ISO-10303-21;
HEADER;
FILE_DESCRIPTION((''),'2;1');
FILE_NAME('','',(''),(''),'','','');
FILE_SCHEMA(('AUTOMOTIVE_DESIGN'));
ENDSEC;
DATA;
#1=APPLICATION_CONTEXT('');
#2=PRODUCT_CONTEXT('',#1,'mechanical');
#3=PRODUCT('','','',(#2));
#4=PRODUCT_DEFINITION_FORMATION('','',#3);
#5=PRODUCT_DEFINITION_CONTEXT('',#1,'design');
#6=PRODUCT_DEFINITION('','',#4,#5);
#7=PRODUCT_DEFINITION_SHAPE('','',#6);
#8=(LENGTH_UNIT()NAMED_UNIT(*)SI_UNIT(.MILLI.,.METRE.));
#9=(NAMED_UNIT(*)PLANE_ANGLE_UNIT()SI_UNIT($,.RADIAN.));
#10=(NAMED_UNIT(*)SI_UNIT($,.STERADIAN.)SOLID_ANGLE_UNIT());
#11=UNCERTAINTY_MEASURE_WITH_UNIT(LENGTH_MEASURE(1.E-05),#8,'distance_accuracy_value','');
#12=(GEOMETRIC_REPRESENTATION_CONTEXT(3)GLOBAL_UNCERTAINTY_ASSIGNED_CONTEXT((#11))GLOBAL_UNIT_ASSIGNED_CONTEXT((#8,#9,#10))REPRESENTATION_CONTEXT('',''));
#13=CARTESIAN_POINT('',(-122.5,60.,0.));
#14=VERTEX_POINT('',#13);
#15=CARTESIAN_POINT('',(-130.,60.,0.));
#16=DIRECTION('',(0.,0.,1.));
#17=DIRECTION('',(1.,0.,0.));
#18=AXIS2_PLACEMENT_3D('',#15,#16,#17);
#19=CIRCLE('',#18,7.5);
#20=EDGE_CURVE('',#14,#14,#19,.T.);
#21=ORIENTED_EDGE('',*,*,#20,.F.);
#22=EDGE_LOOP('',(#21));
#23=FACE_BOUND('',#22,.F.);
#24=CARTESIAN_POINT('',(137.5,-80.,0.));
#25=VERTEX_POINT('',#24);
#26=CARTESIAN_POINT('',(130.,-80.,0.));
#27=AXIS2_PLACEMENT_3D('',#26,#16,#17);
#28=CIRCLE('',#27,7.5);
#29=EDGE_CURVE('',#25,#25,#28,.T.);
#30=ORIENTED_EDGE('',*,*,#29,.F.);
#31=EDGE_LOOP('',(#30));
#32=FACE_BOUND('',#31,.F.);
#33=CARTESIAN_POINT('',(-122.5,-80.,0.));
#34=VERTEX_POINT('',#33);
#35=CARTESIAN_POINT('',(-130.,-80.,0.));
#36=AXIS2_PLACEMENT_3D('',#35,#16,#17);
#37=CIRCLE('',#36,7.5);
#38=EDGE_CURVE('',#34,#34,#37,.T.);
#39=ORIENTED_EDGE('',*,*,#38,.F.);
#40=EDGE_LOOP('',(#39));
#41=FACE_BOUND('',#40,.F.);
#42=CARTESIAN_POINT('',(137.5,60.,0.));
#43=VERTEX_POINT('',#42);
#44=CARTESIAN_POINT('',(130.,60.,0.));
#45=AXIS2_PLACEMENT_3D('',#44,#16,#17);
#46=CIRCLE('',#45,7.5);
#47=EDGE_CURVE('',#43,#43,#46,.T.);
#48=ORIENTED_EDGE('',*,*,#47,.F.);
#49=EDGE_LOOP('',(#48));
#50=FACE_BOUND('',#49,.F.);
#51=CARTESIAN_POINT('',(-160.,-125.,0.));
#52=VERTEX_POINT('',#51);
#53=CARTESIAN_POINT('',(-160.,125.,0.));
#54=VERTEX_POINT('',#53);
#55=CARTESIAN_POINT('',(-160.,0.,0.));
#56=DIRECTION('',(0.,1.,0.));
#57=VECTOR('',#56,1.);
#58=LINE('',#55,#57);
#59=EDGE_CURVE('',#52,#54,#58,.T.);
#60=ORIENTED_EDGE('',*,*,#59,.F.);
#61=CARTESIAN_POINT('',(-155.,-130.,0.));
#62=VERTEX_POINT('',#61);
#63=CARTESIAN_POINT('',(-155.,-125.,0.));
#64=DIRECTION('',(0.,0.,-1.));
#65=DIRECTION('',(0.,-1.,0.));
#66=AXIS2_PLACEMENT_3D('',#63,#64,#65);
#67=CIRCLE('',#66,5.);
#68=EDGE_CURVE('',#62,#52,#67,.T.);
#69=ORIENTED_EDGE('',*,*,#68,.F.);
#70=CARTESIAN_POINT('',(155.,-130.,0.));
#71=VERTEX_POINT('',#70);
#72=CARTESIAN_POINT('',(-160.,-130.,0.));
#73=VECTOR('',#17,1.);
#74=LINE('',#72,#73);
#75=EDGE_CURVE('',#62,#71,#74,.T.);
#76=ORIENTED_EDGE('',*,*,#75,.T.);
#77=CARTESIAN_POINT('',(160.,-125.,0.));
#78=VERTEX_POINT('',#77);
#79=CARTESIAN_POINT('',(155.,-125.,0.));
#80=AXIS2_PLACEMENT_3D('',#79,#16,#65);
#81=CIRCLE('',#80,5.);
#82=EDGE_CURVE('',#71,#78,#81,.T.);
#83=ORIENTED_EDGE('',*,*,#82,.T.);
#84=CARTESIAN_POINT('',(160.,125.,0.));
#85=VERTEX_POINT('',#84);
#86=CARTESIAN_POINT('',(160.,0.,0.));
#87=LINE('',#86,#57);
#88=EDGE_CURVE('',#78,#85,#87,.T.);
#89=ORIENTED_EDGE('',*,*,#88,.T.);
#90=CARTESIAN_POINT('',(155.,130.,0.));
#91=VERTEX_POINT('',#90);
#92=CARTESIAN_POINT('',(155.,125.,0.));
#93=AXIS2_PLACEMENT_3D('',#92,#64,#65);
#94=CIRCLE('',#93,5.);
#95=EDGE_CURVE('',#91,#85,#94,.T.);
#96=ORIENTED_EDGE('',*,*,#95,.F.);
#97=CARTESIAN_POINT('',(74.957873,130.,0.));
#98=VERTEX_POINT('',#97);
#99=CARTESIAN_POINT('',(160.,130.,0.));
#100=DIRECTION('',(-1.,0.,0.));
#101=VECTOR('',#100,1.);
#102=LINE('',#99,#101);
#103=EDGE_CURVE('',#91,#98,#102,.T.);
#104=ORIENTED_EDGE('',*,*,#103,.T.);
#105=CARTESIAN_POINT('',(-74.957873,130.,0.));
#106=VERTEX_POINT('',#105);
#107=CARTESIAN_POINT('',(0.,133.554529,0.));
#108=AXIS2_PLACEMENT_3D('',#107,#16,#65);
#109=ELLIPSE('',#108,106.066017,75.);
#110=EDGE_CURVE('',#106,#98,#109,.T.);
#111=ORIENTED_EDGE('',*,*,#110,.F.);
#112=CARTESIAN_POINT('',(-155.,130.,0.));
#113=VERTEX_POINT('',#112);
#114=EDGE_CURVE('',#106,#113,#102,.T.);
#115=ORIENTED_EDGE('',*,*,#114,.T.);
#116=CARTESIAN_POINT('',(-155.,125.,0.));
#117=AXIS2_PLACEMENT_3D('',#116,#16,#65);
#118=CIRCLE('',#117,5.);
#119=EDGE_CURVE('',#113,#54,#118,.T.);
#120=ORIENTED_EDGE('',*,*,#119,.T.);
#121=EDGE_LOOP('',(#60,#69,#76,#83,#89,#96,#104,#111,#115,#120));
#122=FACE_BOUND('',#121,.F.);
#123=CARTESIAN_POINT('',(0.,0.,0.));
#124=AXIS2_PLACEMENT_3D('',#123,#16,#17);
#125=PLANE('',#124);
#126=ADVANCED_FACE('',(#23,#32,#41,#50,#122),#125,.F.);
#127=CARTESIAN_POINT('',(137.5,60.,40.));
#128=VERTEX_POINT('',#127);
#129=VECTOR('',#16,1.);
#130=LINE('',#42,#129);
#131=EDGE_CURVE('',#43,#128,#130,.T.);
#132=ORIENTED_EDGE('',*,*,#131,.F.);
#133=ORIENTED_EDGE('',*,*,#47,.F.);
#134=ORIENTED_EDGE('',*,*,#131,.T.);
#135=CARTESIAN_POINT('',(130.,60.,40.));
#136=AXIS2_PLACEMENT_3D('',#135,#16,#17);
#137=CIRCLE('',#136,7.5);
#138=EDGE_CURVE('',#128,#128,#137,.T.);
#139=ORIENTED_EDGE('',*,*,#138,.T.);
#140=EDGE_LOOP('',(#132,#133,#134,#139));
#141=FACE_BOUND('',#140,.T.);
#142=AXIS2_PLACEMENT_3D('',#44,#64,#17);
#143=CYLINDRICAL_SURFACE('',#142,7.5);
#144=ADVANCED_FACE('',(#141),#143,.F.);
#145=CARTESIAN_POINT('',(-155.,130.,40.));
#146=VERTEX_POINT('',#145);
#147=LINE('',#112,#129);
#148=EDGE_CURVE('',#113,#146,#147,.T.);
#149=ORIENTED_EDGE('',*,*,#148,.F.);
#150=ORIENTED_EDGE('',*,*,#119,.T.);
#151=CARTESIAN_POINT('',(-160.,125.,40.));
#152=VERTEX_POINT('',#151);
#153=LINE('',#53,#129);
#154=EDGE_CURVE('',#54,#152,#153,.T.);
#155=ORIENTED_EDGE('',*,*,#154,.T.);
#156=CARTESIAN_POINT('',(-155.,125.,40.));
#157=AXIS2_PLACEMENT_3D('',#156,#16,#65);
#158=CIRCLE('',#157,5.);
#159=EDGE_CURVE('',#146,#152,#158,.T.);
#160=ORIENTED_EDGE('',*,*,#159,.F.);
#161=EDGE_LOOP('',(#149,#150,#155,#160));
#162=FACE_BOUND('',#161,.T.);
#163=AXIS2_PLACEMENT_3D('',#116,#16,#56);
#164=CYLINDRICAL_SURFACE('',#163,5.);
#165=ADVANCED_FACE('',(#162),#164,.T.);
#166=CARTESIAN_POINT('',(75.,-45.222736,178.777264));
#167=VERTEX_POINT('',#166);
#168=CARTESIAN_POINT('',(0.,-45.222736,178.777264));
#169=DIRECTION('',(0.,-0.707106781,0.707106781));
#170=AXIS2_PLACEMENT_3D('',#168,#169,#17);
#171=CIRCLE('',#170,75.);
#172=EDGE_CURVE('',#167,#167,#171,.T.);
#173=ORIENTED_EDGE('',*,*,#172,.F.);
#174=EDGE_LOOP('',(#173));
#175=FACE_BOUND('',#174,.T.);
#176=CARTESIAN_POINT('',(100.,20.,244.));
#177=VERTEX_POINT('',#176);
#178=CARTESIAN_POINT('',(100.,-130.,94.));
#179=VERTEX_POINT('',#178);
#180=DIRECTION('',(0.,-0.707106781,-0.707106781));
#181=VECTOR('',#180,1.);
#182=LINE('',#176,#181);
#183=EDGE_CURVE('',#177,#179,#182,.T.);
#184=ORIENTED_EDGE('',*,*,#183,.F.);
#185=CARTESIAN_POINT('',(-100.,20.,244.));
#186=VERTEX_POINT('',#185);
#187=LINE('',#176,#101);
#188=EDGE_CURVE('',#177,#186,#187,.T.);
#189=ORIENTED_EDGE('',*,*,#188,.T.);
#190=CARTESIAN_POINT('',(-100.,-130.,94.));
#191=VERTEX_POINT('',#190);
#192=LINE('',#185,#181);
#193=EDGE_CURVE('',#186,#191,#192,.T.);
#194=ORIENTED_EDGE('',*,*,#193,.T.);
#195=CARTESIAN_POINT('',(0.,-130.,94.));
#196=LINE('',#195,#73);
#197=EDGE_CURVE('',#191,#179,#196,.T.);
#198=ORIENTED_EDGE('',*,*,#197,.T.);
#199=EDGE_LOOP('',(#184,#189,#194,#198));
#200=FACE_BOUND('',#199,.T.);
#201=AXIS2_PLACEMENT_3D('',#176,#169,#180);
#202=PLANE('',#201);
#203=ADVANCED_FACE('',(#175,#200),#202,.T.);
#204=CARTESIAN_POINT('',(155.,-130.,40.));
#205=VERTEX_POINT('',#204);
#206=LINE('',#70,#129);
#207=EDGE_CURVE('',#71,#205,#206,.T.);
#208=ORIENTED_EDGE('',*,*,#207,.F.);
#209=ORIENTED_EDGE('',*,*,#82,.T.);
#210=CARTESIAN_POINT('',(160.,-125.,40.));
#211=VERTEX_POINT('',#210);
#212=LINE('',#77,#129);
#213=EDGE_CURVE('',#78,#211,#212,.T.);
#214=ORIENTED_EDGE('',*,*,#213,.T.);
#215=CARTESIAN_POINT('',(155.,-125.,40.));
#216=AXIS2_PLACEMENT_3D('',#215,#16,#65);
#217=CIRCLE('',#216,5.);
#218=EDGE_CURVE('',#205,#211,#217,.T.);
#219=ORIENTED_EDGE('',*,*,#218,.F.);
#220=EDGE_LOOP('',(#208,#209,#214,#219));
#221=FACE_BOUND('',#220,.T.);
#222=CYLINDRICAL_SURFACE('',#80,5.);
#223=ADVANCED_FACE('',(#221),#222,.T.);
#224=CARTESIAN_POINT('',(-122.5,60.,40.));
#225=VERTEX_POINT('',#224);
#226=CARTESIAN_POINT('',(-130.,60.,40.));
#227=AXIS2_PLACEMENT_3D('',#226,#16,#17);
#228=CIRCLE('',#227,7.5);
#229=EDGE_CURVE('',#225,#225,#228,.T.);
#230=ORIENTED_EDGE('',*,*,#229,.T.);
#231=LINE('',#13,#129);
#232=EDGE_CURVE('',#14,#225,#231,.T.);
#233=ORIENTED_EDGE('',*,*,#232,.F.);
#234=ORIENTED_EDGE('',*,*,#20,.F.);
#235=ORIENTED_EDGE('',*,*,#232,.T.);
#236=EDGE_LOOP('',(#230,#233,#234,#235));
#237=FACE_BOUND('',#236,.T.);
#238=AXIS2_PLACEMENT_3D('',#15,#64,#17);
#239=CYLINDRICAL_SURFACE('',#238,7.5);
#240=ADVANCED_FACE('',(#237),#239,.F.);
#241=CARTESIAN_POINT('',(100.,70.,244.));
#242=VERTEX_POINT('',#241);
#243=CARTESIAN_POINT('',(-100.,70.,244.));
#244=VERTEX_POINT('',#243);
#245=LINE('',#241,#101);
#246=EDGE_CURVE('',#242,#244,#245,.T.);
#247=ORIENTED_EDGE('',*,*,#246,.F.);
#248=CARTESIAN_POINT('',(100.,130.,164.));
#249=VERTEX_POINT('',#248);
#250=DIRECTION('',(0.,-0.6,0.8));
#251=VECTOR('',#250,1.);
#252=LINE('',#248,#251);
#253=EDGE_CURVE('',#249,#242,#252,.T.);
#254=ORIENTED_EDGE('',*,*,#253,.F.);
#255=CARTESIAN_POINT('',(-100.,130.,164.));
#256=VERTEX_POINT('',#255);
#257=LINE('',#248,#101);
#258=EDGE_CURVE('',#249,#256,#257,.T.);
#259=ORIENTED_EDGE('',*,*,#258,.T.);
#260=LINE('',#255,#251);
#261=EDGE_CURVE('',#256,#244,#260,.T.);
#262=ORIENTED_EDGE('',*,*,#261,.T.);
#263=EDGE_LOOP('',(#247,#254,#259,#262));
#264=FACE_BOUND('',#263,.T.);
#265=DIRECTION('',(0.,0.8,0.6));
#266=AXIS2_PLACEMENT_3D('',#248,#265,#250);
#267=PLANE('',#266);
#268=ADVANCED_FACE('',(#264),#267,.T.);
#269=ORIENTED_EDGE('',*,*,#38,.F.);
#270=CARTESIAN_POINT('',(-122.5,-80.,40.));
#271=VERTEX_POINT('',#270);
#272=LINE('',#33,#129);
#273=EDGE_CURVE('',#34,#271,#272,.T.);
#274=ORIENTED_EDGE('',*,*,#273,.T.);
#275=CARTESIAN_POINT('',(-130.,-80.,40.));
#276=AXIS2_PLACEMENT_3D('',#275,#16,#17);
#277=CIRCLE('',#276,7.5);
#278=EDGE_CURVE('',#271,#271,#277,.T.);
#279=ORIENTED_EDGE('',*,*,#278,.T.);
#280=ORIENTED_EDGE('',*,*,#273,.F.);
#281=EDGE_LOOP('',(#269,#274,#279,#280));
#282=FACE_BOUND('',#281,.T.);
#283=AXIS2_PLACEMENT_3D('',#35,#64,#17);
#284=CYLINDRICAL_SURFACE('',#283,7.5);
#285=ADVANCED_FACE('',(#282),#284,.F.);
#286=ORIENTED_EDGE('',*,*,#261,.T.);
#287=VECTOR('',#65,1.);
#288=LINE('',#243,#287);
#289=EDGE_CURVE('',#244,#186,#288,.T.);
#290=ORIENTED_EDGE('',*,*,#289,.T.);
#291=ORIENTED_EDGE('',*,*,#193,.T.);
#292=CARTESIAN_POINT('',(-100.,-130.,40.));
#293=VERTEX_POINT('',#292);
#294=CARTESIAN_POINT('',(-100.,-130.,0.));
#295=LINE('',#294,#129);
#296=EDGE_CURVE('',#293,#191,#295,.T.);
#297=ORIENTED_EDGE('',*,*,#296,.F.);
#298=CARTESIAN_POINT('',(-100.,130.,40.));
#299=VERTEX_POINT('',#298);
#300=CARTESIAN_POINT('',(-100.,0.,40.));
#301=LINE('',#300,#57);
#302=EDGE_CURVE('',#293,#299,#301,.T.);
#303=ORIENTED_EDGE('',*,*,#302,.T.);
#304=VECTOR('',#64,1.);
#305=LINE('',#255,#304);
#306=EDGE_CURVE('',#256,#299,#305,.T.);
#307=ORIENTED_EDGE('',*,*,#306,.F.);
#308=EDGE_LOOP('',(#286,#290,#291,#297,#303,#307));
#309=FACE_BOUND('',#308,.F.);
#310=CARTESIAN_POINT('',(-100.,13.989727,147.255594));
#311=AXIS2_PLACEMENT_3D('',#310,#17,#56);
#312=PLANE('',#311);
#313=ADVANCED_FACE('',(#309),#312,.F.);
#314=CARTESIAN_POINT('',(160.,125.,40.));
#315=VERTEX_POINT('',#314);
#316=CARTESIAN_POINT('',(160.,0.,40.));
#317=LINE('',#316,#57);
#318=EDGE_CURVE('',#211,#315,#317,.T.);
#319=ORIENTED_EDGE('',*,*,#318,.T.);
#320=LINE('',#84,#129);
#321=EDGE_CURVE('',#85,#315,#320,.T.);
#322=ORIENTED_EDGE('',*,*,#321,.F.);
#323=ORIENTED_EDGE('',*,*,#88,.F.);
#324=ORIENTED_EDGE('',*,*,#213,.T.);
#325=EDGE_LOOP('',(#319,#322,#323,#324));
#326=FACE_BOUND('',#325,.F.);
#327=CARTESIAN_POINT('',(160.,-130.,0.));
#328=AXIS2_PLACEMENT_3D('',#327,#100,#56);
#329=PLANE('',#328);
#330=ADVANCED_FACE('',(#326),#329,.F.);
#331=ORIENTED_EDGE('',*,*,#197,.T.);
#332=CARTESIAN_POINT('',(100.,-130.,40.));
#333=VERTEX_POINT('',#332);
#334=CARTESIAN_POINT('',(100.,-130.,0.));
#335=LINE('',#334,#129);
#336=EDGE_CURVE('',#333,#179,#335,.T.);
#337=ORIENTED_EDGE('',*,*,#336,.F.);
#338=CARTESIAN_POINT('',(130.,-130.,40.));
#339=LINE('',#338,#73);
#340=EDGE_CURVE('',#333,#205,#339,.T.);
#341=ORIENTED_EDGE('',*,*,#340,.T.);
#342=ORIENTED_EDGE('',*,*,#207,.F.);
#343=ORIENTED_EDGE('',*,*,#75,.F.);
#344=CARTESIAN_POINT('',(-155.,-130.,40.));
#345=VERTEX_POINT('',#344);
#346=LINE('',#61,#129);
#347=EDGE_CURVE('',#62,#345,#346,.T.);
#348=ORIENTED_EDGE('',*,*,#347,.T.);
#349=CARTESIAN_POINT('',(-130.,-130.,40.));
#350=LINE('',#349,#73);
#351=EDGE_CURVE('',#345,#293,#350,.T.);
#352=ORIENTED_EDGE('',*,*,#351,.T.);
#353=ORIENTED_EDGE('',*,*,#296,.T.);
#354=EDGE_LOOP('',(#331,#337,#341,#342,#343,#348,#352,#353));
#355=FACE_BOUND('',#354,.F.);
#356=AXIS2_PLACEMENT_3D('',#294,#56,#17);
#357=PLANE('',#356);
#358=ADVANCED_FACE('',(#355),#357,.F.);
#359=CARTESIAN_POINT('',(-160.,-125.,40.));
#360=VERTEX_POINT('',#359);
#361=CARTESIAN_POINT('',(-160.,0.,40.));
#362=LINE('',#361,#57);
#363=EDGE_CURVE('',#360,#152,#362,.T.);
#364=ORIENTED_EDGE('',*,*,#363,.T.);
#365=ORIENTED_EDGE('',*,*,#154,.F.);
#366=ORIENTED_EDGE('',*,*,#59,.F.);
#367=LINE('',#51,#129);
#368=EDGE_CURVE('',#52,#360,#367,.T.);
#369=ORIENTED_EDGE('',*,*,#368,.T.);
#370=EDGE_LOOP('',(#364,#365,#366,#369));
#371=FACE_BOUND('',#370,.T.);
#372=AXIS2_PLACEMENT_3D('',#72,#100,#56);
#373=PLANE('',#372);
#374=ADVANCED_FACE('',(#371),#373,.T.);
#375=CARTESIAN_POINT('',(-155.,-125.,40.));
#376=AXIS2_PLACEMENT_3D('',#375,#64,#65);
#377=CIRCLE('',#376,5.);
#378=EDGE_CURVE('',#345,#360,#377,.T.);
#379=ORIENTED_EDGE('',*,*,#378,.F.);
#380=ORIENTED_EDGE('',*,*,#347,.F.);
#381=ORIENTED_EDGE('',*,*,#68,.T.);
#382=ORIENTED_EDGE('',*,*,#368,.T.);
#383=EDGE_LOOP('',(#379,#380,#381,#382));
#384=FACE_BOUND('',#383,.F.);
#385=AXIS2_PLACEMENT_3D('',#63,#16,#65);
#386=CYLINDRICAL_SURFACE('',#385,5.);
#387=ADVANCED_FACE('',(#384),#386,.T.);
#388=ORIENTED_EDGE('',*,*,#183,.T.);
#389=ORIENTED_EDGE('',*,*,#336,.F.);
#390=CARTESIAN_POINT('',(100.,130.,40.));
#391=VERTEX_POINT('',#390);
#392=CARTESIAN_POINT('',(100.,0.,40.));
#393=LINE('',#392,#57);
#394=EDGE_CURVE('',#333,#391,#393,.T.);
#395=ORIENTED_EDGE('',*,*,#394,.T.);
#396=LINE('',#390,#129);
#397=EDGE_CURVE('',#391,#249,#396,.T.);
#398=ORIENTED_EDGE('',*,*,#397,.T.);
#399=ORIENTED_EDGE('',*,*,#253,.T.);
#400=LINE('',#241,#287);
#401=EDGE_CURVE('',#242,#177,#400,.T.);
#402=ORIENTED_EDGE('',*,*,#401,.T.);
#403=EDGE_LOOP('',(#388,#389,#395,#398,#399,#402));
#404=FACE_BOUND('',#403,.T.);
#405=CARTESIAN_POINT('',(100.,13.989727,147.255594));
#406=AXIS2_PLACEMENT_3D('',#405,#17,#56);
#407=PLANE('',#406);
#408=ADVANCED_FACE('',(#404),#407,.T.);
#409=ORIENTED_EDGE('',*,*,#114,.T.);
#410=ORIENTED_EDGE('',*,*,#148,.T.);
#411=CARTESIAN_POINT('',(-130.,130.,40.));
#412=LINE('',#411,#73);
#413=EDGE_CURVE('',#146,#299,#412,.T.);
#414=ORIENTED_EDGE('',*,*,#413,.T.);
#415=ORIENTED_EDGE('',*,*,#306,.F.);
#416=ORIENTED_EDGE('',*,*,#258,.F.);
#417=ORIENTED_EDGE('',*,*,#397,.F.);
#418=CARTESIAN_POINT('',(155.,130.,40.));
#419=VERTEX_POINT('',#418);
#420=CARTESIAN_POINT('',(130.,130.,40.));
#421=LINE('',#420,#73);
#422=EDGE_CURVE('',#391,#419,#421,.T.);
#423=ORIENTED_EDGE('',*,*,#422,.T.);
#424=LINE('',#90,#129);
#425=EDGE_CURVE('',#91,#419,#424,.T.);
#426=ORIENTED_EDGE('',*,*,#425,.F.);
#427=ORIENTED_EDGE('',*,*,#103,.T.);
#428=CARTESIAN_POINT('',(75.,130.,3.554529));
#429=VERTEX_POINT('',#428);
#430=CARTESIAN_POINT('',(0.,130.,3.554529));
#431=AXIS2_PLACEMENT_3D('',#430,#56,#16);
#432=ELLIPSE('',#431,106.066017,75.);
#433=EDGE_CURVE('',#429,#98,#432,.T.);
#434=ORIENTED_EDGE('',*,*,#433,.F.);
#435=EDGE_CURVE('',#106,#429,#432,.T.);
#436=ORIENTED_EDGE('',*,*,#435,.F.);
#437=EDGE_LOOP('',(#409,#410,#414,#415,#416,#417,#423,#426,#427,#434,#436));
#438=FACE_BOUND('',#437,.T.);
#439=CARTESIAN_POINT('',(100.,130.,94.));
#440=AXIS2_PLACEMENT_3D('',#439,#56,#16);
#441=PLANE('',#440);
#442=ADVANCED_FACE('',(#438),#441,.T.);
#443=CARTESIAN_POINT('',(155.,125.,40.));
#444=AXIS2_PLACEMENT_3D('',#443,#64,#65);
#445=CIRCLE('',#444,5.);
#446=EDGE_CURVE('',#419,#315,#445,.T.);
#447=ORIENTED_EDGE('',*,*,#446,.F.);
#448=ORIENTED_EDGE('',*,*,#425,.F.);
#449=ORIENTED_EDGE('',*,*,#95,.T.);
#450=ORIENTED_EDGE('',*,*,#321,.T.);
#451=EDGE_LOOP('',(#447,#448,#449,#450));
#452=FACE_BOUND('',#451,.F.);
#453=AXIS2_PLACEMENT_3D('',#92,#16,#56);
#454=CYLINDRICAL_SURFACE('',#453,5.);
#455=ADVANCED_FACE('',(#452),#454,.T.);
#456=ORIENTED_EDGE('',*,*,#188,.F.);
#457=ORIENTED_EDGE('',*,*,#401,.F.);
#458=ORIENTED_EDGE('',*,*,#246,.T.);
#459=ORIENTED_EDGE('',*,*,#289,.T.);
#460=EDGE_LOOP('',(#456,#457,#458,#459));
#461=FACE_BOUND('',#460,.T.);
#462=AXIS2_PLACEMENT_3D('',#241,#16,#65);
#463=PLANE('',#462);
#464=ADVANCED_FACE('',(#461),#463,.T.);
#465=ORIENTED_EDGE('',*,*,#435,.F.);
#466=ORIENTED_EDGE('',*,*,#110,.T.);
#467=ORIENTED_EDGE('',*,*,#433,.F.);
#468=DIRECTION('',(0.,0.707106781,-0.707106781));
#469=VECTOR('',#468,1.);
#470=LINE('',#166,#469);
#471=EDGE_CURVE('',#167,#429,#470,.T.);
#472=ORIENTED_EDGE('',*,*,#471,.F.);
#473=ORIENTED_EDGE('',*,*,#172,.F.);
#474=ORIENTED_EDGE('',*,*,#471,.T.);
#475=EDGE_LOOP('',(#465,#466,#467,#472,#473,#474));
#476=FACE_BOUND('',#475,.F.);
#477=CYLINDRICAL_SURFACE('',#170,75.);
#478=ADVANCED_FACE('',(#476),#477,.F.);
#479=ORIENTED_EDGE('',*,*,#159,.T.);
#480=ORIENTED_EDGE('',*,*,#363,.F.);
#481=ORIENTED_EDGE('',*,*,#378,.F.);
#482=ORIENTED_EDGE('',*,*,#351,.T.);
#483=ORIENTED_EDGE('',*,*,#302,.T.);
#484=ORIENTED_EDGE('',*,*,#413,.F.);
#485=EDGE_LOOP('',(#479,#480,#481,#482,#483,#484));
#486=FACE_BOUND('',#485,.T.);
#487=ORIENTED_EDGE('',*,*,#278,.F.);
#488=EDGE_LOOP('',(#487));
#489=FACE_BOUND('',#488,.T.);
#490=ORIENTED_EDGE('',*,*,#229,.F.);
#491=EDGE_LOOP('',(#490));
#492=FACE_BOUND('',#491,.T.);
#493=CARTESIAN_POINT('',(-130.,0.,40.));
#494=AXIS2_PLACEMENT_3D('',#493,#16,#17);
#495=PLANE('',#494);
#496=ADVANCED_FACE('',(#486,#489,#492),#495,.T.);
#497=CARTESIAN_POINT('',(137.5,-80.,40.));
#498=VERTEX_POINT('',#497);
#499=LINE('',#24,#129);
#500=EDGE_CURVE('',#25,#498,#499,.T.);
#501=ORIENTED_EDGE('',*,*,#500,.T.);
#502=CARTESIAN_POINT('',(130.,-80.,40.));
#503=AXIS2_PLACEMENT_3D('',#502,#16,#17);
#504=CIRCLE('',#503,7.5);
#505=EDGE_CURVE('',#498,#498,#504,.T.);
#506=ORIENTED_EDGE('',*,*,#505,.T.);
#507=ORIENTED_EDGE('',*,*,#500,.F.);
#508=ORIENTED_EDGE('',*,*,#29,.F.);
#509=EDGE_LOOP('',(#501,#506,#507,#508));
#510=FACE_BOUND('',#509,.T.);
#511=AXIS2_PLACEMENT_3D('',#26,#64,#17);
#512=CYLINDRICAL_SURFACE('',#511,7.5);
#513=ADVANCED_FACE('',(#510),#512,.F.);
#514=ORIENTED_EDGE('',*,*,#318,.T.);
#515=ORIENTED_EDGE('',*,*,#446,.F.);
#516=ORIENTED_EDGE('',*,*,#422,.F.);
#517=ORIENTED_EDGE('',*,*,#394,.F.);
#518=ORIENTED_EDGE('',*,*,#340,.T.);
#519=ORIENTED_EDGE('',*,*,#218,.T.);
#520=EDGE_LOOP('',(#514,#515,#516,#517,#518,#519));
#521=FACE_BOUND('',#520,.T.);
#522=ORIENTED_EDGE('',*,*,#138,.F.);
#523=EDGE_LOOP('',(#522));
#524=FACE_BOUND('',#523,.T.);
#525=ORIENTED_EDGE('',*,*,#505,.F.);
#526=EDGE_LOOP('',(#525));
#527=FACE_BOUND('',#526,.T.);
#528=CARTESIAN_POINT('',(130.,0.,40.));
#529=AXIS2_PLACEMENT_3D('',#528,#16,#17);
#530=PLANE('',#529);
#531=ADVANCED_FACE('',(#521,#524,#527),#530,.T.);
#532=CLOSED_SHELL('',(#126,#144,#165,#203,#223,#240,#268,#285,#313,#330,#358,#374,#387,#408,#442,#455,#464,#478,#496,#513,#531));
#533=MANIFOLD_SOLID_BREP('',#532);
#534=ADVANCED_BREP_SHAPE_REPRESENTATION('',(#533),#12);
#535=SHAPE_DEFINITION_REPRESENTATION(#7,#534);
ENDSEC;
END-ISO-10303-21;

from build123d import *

# Parameters (mm, degrees)
F0_W     = 60
F0_H     = 260
F0_R     = 7.5
F1_DEPTH = 40
F0_W_2   = 200
F2_DEPTH = 94
F4_DEPTH = 200
F5_R     = 75
F6_DEPTH = 324.75
F7_R     = 5


with BuildPart() as f1:
    # F0 (on Top) → F1 (new body)
    with BuildSketch(Plane.XY):
        with Locations((130, 0)):
            Rectangle(F0_W, F0_H)
        with Locations((130, -80)):
            Circle(F0_R, mode=Mode.SUBTRACT)
        with Locations((130, 60)):
            Circle(F0_R, mode=Mode.SUBTRACT)
    extrude(amount=F1_DEPTH)



with BuildPart() as f1b:
    # F0 (on Top) → F1, piece 2 (new body)
    with BuildSketch(Plane.XY):
        with Locations((-130, 0)):
            Rectangle(F0_W, F0_H)
        with Locations((-130, -80)):
            Circle(F0_R, mode=Mode.SUBTRACT)
        with Locations((-130, 60)):
            Circle(F0_R, mode=Mode.SUBTRACT)
    extrude(amount=F1_DEPTH)


with BuildPart() as f1_1:
    add(f1.part)

    add(f1b.part)  # F2 merges F1b
    # F0 (on Top) → F2 (join)
    with BuildSketch(Plane.XY):
        Rectangle(F0_W_2, F0_H)
    extrude(amount=F2_DEPTH)

    # F3 (on face) → F4 (join)
    with BuildSketch(Plane.YZ.offset(100)):
        Polygon((20, 244), (-130, 94), (130, 94), (130, 164), (70, 244), align=None)
    extrude(amount=-F4_DEPTH)

    # F5 (on face) → F6 (cut)
    with BuildSketch(Plane(origin=(0, -112, 112), x_dir=(1, 0, 0), z_dir=(0, -0.7071067812, 0.7071067812))):
        with Locations((0, 94.4373130938)):
            Circle(F5_R)
    extrude(amount=-F6_DEPTH, mode=Mode.SUBTRACT)

    # F7
    f7_edges = [f1_1.edges().sort_by_distance(p)[0] for p in [
        (-160, -130, 20),
        (160, -130, 20),
        (160, 130, 20),
        (-160, 130, 20),
    ]]
    fillet(f7_edges, radius=F7_R)


solid = f1_1.part
